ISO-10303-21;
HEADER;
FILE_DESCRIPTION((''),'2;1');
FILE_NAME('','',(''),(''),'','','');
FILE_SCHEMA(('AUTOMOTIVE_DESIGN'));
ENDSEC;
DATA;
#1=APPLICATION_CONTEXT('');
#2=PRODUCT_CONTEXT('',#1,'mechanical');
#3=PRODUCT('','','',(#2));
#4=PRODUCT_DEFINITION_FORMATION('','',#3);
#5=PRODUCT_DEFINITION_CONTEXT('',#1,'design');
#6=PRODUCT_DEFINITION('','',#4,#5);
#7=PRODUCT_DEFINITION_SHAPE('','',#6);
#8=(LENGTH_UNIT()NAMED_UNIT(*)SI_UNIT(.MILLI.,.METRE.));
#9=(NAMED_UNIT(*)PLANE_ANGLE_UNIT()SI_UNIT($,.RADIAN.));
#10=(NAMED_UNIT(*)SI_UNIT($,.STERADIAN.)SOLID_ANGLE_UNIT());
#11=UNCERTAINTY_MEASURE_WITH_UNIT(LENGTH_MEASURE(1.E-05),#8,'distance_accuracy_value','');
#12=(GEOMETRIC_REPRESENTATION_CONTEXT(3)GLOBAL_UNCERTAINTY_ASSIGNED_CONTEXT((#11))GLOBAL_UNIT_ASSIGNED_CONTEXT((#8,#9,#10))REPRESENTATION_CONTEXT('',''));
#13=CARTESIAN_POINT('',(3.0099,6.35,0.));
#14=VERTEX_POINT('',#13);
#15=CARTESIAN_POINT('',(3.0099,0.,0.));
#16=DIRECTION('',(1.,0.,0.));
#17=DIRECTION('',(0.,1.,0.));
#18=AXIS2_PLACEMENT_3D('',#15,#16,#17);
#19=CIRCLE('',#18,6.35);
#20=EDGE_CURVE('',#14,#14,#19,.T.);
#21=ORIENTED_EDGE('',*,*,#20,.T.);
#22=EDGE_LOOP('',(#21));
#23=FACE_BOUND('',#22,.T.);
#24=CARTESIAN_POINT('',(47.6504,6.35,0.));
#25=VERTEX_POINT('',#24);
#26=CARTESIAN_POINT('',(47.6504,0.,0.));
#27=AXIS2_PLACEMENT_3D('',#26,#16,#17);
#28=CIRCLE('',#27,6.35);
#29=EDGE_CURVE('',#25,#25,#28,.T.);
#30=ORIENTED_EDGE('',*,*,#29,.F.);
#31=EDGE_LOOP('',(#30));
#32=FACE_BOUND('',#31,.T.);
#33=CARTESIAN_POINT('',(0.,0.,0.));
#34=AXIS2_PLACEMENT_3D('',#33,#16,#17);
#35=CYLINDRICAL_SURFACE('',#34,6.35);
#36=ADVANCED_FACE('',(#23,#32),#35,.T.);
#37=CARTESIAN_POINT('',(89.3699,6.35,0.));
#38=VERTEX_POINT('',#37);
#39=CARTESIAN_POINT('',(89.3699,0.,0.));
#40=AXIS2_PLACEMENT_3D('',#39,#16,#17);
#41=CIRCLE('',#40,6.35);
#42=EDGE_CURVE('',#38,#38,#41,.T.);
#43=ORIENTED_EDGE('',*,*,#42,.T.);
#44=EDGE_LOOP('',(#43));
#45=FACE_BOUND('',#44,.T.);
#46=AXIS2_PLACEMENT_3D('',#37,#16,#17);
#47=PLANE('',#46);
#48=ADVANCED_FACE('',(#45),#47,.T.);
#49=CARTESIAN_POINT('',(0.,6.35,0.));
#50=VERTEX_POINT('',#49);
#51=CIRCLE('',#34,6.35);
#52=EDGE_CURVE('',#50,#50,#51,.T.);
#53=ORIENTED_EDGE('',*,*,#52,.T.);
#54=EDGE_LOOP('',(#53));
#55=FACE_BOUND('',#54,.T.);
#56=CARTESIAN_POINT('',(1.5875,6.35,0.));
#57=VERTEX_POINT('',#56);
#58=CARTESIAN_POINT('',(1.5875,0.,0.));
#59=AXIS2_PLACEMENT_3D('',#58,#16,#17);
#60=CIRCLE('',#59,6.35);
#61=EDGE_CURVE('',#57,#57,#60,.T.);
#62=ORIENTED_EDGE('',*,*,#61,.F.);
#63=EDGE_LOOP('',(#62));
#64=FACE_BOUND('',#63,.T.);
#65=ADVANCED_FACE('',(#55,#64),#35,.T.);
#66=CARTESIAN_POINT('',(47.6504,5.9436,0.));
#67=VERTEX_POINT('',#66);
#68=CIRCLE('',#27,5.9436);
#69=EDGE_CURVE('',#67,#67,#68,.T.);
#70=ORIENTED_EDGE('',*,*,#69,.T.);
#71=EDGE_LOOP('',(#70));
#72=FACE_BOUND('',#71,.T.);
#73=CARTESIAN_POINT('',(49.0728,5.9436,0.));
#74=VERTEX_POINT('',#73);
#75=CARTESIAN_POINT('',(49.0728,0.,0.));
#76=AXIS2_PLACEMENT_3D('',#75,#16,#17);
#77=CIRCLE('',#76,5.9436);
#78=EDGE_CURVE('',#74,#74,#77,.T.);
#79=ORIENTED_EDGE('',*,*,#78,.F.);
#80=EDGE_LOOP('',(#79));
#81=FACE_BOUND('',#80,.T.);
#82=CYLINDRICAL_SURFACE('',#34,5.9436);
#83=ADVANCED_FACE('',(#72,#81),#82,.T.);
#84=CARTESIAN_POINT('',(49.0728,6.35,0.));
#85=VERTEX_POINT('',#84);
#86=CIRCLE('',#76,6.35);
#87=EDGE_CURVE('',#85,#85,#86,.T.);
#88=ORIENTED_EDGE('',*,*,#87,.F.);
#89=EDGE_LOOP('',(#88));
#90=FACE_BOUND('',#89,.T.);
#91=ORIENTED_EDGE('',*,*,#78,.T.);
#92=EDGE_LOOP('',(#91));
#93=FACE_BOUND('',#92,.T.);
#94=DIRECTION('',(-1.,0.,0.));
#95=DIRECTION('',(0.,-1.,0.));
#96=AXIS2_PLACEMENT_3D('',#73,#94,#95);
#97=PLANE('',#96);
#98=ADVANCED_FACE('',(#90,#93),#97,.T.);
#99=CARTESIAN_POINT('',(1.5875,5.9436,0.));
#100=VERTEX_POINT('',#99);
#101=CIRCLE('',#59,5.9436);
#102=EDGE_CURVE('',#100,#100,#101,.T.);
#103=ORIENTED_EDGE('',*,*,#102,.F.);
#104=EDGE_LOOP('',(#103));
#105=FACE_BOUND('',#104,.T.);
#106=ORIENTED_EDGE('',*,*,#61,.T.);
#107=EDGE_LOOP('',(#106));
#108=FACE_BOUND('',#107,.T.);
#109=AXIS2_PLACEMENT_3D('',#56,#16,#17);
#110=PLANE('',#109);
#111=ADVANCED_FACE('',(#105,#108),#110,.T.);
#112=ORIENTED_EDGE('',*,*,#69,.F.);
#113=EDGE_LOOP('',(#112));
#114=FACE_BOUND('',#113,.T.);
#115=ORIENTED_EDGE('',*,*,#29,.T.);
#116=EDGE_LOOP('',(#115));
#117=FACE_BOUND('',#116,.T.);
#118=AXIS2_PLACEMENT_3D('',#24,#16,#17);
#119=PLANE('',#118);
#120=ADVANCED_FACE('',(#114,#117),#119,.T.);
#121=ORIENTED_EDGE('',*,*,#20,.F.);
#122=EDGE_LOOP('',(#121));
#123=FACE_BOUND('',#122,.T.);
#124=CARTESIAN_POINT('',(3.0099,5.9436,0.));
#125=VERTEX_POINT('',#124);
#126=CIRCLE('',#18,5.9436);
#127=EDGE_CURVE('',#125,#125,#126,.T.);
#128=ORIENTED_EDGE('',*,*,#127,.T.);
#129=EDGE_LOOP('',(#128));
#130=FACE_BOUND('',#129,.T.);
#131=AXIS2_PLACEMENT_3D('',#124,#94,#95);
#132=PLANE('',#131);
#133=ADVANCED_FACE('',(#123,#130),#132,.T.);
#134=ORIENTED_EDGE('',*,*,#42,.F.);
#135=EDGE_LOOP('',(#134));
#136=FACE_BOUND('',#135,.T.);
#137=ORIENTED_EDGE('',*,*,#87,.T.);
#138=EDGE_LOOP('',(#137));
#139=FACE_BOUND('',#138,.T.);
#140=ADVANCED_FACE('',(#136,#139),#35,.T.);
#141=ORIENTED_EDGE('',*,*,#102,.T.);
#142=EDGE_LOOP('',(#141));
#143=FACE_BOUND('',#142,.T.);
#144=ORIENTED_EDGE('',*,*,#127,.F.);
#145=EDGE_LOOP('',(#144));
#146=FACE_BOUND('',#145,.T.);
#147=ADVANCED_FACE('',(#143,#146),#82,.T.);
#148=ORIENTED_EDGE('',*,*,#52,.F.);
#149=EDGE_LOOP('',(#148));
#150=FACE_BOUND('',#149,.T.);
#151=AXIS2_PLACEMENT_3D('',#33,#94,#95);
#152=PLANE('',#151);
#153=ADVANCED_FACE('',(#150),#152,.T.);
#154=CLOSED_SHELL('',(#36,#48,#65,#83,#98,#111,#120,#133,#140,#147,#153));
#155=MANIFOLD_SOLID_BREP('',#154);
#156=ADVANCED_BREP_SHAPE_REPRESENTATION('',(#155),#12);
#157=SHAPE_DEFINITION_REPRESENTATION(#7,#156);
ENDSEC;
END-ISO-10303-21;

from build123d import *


with BuildPart() as part:
    # Sketch1 → Revolve1 (revolve)
    with BuildSketch(Plane.XY):
        Polygon((0, 0), (0, 6.35), (1.5875, 6.35), (1.5875, 5.9436), (3.0099, 5.9436), (3.0099, 6.35), (47.6504, 6.35), (47.6504, 5.9436), (49.0728, 5.9436), (49.0728, 6.35), (89.3699, 6.35), (89.3699, 0), align=None)
    revolve(axis=Axis((0, 0, 0), (-1, 0, 0)))


solid = part.part
